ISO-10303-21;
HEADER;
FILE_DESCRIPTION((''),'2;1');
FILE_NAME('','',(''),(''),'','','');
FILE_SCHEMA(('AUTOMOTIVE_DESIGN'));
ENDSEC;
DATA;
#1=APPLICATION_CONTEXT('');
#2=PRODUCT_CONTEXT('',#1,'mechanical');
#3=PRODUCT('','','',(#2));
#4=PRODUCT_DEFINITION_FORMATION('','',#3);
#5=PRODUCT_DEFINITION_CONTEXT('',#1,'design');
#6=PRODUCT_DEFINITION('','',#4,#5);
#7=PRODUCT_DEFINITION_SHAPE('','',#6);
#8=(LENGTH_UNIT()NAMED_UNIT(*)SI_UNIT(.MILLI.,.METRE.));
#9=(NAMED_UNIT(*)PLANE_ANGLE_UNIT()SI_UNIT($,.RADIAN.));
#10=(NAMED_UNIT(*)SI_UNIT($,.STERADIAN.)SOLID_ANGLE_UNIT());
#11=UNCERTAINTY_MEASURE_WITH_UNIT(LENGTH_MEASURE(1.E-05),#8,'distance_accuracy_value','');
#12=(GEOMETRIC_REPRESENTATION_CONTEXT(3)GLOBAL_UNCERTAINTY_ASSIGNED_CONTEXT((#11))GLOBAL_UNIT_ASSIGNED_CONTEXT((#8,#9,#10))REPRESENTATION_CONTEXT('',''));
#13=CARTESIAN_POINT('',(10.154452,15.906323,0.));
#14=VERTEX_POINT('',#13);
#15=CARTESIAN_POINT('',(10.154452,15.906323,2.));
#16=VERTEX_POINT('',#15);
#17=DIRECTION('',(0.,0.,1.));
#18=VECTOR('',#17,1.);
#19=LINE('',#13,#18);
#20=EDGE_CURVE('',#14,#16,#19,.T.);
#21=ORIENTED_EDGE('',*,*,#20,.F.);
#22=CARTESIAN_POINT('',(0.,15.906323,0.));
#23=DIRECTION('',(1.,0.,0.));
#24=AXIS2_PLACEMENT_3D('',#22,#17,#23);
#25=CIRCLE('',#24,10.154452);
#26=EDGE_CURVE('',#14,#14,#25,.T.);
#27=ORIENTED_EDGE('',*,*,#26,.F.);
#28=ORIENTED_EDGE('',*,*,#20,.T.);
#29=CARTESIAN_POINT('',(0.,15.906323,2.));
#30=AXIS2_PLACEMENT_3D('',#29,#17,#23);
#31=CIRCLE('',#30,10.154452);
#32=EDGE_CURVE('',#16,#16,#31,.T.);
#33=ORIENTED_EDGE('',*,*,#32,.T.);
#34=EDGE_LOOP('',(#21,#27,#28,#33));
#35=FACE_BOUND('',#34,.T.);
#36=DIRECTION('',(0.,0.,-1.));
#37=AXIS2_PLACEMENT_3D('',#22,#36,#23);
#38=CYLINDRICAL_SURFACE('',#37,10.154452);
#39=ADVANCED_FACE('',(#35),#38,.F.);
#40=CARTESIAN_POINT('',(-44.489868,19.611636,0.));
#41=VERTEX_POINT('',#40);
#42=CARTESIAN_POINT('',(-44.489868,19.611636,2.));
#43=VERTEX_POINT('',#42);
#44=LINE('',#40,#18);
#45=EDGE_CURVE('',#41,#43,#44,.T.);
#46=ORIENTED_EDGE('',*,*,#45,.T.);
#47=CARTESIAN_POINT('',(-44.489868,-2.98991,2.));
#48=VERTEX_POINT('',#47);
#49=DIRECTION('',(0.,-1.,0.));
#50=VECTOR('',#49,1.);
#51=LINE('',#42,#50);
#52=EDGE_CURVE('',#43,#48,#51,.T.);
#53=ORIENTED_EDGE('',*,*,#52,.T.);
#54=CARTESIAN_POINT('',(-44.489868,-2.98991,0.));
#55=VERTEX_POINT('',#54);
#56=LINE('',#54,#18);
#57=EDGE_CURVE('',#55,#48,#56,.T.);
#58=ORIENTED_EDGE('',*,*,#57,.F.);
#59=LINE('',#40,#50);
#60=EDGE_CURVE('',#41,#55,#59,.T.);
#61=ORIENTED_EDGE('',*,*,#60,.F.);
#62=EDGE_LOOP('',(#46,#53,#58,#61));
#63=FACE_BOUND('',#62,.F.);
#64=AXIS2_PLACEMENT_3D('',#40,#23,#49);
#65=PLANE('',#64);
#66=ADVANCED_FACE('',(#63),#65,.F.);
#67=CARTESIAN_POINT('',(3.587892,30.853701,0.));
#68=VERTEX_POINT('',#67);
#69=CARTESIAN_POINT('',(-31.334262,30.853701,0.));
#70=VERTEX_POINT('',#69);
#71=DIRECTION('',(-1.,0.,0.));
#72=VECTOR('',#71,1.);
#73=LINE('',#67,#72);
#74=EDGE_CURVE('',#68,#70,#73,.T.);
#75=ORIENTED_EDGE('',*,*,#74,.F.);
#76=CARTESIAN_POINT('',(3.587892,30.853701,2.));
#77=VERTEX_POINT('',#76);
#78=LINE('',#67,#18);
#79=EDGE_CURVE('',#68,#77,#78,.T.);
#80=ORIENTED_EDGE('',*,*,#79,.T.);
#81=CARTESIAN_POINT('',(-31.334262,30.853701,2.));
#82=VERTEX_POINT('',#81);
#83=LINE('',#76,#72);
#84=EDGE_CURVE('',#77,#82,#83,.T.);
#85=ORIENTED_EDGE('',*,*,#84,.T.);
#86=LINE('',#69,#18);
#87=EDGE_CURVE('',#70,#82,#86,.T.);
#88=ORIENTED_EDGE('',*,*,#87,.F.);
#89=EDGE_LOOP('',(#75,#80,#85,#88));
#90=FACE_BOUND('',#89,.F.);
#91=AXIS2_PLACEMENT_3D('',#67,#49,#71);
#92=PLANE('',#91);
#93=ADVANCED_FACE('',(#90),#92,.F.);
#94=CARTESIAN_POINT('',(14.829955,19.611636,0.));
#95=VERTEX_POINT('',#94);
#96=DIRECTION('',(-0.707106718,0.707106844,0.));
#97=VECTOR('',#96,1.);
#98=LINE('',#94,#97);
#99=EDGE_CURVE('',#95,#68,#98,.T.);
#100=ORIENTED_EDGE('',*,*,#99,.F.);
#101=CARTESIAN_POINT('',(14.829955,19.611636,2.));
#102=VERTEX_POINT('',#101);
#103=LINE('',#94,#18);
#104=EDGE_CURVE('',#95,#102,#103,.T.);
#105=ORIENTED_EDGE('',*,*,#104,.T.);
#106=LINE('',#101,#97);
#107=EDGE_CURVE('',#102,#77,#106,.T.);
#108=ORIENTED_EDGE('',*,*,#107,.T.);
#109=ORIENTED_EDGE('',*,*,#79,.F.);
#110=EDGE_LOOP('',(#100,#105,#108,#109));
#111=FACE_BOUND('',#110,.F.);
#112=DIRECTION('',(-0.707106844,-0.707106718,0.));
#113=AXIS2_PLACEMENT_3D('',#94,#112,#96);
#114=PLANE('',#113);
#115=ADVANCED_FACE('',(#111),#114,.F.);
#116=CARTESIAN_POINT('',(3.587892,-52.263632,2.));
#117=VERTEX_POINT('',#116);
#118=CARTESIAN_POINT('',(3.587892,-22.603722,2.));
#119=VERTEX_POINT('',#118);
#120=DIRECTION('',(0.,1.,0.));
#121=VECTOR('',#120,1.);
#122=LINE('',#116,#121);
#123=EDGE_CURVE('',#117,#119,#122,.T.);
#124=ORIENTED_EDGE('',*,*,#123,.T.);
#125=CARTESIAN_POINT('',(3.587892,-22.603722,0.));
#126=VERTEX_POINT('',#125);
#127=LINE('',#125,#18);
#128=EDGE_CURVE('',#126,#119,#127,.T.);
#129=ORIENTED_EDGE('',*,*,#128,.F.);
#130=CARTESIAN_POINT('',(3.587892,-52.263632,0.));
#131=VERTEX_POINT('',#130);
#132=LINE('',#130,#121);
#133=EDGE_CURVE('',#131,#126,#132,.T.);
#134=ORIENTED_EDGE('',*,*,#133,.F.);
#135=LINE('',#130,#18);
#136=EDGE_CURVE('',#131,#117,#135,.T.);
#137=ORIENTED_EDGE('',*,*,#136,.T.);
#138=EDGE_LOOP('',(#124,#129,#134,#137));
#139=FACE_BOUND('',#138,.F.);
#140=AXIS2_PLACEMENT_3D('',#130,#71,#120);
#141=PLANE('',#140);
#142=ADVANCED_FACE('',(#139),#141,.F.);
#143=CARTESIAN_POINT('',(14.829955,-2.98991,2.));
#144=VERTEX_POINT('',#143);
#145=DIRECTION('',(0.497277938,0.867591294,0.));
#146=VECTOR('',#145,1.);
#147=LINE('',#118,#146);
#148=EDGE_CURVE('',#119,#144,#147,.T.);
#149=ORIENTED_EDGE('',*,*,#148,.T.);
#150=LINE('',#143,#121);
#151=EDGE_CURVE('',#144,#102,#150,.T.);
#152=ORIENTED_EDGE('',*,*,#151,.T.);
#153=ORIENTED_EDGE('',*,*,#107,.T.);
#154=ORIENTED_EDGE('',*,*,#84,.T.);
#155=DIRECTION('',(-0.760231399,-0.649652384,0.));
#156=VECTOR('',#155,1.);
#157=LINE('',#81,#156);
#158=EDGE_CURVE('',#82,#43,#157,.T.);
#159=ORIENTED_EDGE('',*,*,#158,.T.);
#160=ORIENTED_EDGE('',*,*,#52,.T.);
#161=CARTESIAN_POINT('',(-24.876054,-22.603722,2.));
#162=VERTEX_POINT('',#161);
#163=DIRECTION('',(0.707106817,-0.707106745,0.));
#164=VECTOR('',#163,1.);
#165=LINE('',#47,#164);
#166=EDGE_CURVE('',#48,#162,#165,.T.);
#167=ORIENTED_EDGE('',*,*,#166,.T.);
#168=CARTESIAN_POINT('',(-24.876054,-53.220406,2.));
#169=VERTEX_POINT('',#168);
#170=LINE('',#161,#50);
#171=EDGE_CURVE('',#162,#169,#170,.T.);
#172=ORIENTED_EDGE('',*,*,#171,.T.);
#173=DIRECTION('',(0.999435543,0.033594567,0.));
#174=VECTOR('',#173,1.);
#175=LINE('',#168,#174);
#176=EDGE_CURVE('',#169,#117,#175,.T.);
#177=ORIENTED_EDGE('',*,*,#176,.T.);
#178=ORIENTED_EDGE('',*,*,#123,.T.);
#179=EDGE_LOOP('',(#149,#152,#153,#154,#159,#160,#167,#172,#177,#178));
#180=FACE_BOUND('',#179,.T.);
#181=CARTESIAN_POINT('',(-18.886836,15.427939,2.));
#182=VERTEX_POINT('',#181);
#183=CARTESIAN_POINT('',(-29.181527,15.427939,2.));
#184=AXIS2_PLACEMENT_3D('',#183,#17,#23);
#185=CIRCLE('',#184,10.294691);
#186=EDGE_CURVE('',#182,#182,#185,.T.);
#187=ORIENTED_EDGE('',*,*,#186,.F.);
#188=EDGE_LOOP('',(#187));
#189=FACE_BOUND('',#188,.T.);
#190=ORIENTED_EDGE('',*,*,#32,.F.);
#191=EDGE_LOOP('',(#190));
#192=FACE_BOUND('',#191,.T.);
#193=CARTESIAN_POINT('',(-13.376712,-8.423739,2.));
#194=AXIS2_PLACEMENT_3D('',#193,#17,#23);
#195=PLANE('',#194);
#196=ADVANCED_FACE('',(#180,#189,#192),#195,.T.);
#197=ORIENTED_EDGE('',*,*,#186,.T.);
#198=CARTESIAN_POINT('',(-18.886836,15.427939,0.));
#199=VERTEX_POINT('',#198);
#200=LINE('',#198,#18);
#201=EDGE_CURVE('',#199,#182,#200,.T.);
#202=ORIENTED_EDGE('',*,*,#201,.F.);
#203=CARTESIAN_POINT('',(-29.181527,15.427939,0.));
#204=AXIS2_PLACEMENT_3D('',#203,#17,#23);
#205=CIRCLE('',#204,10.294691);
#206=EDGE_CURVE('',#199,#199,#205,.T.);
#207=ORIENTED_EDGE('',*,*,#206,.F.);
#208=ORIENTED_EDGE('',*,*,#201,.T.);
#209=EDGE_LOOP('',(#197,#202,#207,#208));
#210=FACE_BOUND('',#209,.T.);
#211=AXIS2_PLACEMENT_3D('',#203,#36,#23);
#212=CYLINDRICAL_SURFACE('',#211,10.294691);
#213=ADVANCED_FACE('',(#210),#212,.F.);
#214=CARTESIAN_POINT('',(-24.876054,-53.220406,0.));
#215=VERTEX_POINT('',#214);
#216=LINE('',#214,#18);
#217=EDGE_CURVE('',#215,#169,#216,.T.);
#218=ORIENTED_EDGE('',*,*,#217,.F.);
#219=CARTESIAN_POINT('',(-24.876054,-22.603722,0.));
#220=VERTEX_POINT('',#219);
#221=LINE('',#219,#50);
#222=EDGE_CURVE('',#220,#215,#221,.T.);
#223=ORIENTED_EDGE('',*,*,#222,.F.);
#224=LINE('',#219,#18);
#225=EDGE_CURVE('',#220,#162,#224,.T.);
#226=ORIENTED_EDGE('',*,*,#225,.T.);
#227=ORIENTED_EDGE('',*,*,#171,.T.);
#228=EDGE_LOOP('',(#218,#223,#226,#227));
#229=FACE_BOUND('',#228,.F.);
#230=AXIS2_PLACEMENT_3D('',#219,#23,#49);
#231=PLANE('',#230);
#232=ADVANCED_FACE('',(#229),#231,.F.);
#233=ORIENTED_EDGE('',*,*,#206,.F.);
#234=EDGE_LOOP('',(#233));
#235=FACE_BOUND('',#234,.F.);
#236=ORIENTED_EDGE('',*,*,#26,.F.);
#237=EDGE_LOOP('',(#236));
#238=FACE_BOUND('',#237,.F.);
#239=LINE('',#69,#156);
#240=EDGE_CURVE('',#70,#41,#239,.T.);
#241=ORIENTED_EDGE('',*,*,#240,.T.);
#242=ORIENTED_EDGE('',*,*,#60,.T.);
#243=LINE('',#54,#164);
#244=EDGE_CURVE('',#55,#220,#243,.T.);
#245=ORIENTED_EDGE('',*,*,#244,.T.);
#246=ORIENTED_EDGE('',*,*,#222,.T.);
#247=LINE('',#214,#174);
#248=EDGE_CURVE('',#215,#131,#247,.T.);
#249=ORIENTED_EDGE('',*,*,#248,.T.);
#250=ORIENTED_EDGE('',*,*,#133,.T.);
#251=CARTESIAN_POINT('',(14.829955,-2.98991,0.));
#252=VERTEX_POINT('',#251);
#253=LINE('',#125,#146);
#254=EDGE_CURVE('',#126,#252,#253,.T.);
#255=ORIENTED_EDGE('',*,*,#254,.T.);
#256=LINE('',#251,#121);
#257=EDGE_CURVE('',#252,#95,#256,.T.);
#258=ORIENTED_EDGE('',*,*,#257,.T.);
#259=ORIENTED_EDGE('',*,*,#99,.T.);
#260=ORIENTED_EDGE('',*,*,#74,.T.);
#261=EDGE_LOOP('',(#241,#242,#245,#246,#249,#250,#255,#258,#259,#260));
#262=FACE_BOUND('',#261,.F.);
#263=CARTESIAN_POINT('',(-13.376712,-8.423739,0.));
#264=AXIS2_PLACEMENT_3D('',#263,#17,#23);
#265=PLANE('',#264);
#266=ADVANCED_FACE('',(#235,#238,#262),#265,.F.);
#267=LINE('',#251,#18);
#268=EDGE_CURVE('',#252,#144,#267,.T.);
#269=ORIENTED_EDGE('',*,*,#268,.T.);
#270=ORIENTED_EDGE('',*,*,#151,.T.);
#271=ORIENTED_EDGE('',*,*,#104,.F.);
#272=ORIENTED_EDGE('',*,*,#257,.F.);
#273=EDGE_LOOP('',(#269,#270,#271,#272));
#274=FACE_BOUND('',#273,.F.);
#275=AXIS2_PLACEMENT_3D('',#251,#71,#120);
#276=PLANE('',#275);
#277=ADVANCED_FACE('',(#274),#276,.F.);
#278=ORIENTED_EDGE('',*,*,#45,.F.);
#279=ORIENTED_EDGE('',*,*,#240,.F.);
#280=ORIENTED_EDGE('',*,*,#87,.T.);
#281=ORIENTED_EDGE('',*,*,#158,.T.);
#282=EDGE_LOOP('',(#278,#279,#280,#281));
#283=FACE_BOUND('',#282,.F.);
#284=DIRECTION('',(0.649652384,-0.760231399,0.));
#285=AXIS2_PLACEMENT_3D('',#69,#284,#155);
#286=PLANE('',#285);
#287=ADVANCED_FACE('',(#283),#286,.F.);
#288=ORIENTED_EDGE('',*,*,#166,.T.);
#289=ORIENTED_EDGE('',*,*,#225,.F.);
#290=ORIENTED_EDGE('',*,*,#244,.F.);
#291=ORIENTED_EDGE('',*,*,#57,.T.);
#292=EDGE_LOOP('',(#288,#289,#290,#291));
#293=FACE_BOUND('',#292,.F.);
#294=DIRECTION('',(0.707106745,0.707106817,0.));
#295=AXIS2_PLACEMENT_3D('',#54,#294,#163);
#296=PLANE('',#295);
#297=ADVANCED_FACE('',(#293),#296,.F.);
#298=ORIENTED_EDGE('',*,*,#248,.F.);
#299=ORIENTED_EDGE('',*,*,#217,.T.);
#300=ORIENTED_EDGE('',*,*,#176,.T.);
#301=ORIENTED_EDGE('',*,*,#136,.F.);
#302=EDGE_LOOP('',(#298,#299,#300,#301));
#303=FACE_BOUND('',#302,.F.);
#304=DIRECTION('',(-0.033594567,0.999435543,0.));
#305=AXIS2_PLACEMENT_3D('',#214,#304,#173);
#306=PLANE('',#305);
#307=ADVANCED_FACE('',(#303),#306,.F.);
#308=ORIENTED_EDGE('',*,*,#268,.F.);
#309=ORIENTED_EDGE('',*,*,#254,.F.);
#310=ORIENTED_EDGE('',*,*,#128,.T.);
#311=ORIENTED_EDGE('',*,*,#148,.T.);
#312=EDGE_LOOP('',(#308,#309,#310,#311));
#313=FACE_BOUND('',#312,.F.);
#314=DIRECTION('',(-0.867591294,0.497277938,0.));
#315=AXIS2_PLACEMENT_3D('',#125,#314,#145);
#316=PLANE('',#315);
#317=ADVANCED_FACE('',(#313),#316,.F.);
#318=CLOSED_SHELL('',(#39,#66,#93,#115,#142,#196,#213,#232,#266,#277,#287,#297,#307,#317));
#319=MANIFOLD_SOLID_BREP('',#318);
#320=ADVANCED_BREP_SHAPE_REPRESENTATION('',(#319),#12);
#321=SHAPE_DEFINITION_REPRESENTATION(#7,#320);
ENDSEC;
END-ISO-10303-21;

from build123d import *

# Parameters (mm, degrees)
F0_R     = 10.294691
F0_R_2   = 10.154452
F1_DEPTH = 2


with BuildPart() as f1:
    # F0 (on Top) → F1 (new body)
    with BuildSketch(Plane.XY):
        Polygon((-24.876054, -22.603722), (-24.876054, -53.220406), (3.587892, -52.263632), (3.587892, -22.603722), (14.829955, -2.98991), (14.829955, 19.611636), (3.587892, 30.853701), (-31.334262, 30.853701), (-44.489868, 19.611636), (-44.489868, -2.98991), align=None)
        with Locations((-29.181527, 15.427939)):
            Circle(F0_R, mode=Mode.SUBTRACT)
        with Locations((0, 15.906323)):
            Circle(F0_R_2, mode=Mode.SUBTRACT)
    extrude(amount=F1_DEPTH)


solid = f1.part
